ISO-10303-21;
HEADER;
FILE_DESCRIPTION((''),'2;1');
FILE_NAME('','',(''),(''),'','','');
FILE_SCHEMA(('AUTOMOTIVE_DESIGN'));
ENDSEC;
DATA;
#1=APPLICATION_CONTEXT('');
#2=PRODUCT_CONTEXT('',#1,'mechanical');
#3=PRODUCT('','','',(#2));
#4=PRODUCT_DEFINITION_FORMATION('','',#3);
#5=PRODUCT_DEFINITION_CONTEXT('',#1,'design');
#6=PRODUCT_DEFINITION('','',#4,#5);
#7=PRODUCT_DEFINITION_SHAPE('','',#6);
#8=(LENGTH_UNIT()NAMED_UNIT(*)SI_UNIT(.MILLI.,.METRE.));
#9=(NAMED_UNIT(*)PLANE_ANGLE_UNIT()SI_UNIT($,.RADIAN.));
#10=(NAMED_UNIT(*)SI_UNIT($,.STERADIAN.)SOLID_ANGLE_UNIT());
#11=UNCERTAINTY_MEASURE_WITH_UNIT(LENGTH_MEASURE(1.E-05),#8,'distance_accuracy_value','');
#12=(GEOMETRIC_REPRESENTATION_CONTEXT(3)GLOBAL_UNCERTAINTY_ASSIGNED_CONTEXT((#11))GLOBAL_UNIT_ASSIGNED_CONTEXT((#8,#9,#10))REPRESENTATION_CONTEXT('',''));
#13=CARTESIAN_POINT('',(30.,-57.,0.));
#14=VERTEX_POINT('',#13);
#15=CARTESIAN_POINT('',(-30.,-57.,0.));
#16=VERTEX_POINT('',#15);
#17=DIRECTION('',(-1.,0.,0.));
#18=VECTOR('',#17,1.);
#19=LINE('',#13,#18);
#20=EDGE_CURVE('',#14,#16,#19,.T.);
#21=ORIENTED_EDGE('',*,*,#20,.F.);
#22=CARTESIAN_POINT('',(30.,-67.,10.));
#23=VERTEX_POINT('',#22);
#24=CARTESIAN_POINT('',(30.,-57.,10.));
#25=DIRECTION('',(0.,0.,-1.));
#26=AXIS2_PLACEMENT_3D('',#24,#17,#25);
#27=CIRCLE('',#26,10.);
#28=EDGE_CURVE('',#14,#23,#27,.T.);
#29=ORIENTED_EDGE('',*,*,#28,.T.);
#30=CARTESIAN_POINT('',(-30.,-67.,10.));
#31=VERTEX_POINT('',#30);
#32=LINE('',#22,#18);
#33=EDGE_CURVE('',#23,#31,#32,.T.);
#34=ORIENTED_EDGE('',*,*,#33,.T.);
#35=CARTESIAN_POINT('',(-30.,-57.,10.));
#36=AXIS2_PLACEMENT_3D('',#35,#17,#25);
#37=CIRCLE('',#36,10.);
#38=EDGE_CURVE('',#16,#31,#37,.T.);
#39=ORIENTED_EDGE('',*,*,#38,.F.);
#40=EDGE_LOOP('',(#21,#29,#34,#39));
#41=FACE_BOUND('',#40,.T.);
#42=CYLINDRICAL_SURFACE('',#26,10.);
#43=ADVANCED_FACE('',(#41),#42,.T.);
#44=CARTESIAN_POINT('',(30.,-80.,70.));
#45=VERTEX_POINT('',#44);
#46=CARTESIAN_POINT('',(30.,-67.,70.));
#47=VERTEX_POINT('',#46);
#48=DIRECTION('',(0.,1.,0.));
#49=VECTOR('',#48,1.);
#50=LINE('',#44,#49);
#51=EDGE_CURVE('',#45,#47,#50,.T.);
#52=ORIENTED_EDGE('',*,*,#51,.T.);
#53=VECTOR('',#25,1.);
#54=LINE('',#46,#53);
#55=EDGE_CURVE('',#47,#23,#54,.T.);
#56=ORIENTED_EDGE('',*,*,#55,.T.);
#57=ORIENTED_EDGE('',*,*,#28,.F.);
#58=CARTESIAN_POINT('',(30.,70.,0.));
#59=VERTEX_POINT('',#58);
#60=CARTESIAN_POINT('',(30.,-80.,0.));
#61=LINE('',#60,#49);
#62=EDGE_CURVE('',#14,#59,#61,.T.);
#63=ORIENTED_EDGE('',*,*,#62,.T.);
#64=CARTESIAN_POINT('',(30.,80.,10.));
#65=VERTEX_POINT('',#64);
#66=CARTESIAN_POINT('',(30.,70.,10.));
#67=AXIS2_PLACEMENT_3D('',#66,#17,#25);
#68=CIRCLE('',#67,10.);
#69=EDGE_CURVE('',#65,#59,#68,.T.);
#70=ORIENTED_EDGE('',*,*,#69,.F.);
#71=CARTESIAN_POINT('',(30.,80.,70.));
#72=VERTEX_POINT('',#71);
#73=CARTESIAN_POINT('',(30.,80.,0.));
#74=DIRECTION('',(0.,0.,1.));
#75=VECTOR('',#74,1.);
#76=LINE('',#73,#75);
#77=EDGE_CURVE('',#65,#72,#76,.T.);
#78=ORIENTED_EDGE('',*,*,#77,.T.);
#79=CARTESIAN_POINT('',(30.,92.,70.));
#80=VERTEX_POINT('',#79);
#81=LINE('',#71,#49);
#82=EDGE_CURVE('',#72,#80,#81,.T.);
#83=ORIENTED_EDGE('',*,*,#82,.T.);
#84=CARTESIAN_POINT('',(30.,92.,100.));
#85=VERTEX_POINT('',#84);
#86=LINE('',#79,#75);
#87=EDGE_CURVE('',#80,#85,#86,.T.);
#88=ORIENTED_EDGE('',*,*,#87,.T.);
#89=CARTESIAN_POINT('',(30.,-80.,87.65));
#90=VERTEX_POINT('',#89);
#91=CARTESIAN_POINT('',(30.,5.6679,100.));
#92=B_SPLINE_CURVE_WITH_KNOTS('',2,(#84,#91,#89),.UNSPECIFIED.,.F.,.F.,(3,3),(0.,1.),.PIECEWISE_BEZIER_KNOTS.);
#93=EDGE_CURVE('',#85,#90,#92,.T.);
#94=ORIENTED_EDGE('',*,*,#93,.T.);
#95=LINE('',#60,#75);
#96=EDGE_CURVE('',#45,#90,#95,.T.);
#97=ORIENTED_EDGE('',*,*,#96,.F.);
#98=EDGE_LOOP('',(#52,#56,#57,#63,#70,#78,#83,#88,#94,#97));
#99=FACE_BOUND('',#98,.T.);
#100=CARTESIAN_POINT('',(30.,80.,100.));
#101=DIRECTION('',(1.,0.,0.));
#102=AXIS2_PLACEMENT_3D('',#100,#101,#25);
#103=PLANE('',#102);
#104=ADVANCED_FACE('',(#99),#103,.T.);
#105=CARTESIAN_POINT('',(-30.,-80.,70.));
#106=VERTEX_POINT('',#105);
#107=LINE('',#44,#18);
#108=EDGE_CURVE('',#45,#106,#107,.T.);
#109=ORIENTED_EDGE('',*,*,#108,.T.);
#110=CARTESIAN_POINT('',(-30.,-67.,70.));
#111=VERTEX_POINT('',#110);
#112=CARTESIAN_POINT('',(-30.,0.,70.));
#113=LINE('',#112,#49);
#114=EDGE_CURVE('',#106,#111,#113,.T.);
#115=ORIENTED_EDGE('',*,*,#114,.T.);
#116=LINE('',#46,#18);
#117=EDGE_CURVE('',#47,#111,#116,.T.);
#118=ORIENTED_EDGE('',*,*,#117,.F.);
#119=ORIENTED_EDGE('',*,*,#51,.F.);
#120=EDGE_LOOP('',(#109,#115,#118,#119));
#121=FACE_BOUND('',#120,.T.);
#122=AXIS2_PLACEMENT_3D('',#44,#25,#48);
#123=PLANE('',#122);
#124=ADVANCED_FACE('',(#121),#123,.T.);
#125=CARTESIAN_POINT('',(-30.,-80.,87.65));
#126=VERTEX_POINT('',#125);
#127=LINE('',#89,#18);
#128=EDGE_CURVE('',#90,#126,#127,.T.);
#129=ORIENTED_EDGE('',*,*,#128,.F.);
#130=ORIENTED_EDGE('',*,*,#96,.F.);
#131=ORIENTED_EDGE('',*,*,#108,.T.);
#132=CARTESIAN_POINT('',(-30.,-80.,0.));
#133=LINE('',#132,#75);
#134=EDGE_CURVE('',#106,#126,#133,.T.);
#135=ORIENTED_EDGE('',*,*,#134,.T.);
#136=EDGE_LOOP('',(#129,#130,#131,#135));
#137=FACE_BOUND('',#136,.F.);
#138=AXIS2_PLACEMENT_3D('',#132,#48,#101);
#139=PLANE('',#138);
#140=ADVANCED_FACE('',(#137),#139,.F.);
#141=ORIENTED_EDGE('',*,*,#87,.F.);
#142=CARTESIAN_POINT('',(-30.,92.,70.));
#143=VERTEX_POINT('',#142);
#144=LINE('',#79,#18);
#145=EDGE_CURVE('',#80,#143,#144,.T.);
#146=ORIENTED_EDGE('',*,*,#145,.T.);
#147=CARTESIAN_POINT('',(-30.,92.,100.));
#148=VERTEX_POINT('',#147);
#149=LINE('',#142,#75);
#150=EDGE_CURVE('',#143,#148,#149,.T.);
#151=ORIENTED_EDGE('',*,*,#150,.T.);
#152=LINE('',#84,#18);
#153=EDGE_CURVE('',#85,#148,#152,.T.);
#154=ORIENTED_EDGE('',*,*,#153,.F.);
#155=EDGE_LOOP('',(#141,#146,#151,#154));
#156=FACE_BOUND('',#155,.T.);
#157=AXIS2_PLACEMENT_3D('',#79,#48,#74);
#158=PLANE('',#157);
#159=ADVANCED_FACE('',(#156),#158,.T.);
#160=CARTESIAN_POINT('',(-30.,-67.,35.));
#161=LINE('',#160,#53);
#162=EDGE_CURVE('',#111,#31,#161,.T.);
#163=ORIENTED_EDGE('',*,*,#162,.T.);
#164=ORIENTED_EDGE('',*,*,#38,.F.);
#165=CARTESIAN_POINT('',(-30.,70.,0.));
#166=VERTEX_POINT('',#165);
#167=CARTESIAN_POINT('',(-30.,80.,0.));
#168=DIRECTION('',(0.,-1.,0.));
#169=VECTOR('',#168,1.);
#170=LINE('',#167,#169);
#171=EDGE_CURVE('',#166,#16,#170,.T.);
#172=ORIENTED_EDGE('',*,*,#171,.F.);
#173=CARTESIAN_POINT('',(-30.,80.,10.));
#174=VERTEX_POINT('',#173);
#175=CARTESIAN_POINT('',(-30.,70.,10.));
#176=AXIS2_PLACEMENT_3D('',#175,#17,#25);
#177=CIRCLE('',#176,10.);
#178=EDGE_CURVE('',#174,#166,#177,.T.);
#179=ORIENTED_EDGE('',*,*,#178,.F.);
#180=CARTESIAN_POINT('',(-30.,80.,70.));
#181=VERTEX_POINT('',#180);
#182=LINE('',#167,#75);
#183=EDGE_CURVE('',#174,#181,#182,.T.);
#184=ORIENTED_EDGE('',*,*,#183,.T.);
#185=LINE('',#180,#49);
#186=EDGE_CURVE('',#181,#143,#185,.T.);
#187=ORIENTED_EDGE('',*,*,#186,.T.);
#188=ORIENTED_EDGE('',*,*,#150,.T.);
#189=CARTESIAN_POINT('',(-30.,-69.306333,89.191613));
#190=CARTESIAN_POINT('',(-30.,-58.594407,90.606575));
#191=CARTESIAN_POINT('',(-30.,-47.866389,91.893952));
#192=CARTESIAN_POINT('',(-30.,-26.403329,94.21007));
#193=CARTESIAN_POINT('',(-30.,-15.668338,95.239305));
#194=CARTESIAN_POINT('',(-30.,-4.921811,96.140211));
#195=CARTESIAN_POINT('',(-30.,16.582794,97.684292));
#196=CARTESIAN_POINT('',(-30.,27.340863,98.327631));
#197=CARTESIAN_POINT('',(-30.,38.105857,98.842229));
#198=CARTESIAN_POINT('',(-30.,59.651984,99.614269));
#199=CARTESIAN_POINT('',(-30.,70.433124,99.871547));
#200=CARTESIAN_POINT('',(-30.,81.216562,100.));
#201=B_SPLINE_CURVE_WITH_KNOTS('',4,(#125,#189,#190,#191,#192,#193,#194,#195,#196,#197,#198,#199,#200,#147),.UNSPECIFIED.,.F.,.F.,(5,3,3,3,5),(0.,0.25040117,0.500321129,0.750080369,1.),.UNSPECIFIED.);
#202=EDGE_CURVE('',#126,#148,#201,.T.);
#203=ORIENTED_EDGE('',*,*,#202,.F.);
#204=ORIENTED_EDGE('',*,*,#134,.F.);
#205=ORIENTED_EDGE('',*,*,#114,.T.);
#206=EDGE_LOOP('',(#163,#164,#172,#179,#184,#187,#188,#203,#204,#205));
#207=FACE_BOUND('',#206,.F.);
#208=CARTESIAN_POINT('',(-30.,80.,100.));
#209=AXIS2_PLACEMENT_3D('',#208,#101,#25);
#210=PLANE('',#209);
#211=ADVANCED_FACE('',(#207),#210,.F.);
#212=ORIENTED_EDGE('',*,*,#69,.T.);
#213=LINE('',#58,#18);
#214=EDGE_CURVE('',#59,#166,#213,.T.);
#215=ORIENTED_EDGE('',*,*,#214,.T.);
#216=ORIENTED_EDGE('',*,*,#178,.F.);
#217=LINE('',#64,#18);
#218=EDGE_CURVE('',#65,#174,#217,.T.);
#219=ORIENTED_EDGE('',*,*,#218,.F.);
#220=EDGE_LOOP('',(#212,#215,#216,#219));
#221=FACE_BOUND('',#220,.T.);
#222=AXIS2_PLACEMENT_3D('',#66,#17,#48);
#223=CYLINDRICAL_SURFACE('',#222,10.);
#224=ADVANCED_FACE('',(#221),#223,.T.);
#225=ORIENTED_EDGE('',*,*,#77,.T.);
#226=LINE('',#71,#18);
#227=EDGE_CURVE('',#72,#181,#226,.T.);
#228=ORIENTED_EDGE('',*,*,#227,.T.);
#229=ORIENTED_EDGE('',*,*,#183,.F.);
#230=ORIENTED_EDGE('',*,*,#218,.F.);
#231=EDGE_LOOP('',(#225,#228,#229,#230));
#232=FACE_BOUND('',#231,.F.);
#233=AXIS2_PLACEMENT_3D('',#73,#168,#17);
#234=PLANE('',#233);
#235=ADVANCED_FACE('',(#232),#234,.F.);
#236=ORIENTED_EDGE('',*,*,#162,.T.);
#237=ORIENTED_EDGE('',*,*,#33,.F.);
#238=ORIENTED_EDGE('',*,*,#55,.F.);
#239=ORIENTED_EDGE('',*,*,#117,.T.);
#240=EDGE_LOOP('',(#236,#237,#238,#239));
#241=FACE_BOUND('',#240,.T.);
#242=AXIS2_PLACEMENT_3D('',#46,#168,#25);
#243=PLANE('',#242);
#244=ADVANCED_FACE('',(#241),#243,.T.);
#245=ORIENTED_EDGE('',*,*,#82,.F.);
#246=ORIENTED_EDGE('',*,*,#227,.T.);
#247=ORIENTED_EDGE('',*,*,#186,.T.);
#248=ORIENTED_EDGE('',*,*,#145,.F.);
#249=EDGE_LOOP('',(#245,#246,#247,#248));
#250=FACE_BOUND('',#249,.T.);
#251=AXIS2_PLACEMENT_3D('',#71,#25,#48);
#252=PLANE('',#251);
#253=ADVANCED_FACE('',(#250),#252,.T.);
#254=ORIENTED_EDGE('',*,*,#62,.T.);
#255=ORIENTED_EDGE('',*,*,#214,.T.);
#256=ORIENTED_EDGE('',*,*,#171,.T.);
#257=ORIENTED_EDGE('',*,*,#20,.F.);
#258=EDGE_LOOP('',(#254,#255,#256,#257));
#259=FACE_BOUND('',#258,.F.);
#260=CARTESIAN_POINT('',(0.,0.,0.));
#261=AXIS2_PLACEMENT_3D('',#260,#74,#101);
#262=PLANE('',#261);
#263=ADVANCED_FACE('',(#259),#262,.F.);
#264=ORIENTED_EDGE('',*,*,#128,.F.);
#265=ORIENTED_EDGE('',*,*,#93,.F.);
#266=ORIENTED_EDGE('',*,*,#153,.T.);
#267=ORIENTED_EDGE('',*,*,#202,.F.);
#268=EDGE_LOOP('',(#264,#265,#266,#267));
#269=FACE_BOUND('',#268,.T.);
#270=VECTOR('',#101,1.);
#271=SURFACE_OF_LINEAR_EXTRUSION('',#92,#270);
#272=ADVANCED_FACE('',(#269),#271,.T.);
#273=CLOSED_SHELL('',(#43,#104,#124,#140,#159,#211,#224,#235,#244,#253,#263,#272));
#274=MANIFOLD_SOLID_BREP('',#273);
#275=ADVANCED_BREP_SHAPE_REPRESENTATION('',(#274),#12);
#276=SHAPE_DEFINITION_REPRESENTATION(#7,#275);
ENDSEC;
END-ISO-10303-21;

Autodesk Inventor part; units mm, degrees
ref_plane "YZ Plane" through (0, 0, 0) normal (1, 0, 0) x (0, 1, 0)
ref_plane "XZ Plane" through (0, 0, 0) normal (0, 1, 0) x (-1, 0, 0)
ref_plane "XY Plane" through (0, 0, 0) normal (0, 0, 1) x (1, 0, 0)
sketch "Skizze1" plane through (0, 0, 0) normal (0, 0, 1) x (1, 0, 0)
  line L0 (-30, -80) -> (30, -80)
  line L1 (30, -80) -> (30, 80)
  line L2 (30, 80) -> (-30, 80)
  line L3 (-30, 80) -> (-30, -80)
  line L4 (-30, -80) -> (30, 80) construction
  line L5 (30, -80) -> (-30, 80) construction
  point P0 (0, 0)
  dimension "d0" = 60
  dimension "d1" = 160
extrude "Extrusion1" add sketch "Skizze1" along normal blind 100
sketch "Skizze5" plane through (30, -80, 0) normal (1, 0, 0) x (0, 0, -1)
  line L0 (0, 0) -> (-70, 0)
  line L1 (-70, 0) -> (-70, 13)
  line L2 (-70, 13) -> (0, 13)
  line L3 (0, 13) -> (0, 0)
  point P0 (0, 80)
  dimension "d15" = 70
  dimension "d16" = 13
extrude "Extrusion5" cut sketch "Skizze5" against normal through all
sketch "Skizze6" plane through (30, 80, 100) normal (1, 0, 0) x (0, 0, -1)
  line L0 (100, 0) -> (0, 0) projected
  line L1 (0, 0) -> (30, 0)
  line L2 (30, 0) -> (30, 12)
  line L3 (30, 12) -> (0, 12)
  line L4 (0, 12) -> (0, 0)
  point P0 (100, -80)
  point P1 (30, 0)
  dimension "d24" = 30
  dimension "d25" = 12
extrude "Extrusion6" add sketch "Skizze6" against normal up to surface (60 mm away)
fillet "Rundung1" radius 10 2 edges at (0, -67, 0) (0, 80, 0)
sketch "Skizze7" plane through (30, -80, 70) normal (1, 0, 0) x (0, 0, -1)
  line L0 (-30, 0) -> (-17.65, 0)
  line L1 (0, 0) -> (-30, 0) projected
  line L2 (-30, 0) -> (-30, 172) projected
  line L3 (-30, 0) -> (-30, 172)
  spline S0 degree 2 poles (-30, 172) (-30, 85.6679) (-17.65, 0) knots 0 0 0 1 1 1
  point P0 (70, 80)
  dimension "d27" = 12.35
extrude "Extrusion7" cut sketch "Skizze7" against normal up to next
equation "\"G_L\" = 0"
equation "\"G_H\" = 0"
equation "\"G_B\" = 0"
properties part number "canopy" material "PC/ABS-Kunststoff"
